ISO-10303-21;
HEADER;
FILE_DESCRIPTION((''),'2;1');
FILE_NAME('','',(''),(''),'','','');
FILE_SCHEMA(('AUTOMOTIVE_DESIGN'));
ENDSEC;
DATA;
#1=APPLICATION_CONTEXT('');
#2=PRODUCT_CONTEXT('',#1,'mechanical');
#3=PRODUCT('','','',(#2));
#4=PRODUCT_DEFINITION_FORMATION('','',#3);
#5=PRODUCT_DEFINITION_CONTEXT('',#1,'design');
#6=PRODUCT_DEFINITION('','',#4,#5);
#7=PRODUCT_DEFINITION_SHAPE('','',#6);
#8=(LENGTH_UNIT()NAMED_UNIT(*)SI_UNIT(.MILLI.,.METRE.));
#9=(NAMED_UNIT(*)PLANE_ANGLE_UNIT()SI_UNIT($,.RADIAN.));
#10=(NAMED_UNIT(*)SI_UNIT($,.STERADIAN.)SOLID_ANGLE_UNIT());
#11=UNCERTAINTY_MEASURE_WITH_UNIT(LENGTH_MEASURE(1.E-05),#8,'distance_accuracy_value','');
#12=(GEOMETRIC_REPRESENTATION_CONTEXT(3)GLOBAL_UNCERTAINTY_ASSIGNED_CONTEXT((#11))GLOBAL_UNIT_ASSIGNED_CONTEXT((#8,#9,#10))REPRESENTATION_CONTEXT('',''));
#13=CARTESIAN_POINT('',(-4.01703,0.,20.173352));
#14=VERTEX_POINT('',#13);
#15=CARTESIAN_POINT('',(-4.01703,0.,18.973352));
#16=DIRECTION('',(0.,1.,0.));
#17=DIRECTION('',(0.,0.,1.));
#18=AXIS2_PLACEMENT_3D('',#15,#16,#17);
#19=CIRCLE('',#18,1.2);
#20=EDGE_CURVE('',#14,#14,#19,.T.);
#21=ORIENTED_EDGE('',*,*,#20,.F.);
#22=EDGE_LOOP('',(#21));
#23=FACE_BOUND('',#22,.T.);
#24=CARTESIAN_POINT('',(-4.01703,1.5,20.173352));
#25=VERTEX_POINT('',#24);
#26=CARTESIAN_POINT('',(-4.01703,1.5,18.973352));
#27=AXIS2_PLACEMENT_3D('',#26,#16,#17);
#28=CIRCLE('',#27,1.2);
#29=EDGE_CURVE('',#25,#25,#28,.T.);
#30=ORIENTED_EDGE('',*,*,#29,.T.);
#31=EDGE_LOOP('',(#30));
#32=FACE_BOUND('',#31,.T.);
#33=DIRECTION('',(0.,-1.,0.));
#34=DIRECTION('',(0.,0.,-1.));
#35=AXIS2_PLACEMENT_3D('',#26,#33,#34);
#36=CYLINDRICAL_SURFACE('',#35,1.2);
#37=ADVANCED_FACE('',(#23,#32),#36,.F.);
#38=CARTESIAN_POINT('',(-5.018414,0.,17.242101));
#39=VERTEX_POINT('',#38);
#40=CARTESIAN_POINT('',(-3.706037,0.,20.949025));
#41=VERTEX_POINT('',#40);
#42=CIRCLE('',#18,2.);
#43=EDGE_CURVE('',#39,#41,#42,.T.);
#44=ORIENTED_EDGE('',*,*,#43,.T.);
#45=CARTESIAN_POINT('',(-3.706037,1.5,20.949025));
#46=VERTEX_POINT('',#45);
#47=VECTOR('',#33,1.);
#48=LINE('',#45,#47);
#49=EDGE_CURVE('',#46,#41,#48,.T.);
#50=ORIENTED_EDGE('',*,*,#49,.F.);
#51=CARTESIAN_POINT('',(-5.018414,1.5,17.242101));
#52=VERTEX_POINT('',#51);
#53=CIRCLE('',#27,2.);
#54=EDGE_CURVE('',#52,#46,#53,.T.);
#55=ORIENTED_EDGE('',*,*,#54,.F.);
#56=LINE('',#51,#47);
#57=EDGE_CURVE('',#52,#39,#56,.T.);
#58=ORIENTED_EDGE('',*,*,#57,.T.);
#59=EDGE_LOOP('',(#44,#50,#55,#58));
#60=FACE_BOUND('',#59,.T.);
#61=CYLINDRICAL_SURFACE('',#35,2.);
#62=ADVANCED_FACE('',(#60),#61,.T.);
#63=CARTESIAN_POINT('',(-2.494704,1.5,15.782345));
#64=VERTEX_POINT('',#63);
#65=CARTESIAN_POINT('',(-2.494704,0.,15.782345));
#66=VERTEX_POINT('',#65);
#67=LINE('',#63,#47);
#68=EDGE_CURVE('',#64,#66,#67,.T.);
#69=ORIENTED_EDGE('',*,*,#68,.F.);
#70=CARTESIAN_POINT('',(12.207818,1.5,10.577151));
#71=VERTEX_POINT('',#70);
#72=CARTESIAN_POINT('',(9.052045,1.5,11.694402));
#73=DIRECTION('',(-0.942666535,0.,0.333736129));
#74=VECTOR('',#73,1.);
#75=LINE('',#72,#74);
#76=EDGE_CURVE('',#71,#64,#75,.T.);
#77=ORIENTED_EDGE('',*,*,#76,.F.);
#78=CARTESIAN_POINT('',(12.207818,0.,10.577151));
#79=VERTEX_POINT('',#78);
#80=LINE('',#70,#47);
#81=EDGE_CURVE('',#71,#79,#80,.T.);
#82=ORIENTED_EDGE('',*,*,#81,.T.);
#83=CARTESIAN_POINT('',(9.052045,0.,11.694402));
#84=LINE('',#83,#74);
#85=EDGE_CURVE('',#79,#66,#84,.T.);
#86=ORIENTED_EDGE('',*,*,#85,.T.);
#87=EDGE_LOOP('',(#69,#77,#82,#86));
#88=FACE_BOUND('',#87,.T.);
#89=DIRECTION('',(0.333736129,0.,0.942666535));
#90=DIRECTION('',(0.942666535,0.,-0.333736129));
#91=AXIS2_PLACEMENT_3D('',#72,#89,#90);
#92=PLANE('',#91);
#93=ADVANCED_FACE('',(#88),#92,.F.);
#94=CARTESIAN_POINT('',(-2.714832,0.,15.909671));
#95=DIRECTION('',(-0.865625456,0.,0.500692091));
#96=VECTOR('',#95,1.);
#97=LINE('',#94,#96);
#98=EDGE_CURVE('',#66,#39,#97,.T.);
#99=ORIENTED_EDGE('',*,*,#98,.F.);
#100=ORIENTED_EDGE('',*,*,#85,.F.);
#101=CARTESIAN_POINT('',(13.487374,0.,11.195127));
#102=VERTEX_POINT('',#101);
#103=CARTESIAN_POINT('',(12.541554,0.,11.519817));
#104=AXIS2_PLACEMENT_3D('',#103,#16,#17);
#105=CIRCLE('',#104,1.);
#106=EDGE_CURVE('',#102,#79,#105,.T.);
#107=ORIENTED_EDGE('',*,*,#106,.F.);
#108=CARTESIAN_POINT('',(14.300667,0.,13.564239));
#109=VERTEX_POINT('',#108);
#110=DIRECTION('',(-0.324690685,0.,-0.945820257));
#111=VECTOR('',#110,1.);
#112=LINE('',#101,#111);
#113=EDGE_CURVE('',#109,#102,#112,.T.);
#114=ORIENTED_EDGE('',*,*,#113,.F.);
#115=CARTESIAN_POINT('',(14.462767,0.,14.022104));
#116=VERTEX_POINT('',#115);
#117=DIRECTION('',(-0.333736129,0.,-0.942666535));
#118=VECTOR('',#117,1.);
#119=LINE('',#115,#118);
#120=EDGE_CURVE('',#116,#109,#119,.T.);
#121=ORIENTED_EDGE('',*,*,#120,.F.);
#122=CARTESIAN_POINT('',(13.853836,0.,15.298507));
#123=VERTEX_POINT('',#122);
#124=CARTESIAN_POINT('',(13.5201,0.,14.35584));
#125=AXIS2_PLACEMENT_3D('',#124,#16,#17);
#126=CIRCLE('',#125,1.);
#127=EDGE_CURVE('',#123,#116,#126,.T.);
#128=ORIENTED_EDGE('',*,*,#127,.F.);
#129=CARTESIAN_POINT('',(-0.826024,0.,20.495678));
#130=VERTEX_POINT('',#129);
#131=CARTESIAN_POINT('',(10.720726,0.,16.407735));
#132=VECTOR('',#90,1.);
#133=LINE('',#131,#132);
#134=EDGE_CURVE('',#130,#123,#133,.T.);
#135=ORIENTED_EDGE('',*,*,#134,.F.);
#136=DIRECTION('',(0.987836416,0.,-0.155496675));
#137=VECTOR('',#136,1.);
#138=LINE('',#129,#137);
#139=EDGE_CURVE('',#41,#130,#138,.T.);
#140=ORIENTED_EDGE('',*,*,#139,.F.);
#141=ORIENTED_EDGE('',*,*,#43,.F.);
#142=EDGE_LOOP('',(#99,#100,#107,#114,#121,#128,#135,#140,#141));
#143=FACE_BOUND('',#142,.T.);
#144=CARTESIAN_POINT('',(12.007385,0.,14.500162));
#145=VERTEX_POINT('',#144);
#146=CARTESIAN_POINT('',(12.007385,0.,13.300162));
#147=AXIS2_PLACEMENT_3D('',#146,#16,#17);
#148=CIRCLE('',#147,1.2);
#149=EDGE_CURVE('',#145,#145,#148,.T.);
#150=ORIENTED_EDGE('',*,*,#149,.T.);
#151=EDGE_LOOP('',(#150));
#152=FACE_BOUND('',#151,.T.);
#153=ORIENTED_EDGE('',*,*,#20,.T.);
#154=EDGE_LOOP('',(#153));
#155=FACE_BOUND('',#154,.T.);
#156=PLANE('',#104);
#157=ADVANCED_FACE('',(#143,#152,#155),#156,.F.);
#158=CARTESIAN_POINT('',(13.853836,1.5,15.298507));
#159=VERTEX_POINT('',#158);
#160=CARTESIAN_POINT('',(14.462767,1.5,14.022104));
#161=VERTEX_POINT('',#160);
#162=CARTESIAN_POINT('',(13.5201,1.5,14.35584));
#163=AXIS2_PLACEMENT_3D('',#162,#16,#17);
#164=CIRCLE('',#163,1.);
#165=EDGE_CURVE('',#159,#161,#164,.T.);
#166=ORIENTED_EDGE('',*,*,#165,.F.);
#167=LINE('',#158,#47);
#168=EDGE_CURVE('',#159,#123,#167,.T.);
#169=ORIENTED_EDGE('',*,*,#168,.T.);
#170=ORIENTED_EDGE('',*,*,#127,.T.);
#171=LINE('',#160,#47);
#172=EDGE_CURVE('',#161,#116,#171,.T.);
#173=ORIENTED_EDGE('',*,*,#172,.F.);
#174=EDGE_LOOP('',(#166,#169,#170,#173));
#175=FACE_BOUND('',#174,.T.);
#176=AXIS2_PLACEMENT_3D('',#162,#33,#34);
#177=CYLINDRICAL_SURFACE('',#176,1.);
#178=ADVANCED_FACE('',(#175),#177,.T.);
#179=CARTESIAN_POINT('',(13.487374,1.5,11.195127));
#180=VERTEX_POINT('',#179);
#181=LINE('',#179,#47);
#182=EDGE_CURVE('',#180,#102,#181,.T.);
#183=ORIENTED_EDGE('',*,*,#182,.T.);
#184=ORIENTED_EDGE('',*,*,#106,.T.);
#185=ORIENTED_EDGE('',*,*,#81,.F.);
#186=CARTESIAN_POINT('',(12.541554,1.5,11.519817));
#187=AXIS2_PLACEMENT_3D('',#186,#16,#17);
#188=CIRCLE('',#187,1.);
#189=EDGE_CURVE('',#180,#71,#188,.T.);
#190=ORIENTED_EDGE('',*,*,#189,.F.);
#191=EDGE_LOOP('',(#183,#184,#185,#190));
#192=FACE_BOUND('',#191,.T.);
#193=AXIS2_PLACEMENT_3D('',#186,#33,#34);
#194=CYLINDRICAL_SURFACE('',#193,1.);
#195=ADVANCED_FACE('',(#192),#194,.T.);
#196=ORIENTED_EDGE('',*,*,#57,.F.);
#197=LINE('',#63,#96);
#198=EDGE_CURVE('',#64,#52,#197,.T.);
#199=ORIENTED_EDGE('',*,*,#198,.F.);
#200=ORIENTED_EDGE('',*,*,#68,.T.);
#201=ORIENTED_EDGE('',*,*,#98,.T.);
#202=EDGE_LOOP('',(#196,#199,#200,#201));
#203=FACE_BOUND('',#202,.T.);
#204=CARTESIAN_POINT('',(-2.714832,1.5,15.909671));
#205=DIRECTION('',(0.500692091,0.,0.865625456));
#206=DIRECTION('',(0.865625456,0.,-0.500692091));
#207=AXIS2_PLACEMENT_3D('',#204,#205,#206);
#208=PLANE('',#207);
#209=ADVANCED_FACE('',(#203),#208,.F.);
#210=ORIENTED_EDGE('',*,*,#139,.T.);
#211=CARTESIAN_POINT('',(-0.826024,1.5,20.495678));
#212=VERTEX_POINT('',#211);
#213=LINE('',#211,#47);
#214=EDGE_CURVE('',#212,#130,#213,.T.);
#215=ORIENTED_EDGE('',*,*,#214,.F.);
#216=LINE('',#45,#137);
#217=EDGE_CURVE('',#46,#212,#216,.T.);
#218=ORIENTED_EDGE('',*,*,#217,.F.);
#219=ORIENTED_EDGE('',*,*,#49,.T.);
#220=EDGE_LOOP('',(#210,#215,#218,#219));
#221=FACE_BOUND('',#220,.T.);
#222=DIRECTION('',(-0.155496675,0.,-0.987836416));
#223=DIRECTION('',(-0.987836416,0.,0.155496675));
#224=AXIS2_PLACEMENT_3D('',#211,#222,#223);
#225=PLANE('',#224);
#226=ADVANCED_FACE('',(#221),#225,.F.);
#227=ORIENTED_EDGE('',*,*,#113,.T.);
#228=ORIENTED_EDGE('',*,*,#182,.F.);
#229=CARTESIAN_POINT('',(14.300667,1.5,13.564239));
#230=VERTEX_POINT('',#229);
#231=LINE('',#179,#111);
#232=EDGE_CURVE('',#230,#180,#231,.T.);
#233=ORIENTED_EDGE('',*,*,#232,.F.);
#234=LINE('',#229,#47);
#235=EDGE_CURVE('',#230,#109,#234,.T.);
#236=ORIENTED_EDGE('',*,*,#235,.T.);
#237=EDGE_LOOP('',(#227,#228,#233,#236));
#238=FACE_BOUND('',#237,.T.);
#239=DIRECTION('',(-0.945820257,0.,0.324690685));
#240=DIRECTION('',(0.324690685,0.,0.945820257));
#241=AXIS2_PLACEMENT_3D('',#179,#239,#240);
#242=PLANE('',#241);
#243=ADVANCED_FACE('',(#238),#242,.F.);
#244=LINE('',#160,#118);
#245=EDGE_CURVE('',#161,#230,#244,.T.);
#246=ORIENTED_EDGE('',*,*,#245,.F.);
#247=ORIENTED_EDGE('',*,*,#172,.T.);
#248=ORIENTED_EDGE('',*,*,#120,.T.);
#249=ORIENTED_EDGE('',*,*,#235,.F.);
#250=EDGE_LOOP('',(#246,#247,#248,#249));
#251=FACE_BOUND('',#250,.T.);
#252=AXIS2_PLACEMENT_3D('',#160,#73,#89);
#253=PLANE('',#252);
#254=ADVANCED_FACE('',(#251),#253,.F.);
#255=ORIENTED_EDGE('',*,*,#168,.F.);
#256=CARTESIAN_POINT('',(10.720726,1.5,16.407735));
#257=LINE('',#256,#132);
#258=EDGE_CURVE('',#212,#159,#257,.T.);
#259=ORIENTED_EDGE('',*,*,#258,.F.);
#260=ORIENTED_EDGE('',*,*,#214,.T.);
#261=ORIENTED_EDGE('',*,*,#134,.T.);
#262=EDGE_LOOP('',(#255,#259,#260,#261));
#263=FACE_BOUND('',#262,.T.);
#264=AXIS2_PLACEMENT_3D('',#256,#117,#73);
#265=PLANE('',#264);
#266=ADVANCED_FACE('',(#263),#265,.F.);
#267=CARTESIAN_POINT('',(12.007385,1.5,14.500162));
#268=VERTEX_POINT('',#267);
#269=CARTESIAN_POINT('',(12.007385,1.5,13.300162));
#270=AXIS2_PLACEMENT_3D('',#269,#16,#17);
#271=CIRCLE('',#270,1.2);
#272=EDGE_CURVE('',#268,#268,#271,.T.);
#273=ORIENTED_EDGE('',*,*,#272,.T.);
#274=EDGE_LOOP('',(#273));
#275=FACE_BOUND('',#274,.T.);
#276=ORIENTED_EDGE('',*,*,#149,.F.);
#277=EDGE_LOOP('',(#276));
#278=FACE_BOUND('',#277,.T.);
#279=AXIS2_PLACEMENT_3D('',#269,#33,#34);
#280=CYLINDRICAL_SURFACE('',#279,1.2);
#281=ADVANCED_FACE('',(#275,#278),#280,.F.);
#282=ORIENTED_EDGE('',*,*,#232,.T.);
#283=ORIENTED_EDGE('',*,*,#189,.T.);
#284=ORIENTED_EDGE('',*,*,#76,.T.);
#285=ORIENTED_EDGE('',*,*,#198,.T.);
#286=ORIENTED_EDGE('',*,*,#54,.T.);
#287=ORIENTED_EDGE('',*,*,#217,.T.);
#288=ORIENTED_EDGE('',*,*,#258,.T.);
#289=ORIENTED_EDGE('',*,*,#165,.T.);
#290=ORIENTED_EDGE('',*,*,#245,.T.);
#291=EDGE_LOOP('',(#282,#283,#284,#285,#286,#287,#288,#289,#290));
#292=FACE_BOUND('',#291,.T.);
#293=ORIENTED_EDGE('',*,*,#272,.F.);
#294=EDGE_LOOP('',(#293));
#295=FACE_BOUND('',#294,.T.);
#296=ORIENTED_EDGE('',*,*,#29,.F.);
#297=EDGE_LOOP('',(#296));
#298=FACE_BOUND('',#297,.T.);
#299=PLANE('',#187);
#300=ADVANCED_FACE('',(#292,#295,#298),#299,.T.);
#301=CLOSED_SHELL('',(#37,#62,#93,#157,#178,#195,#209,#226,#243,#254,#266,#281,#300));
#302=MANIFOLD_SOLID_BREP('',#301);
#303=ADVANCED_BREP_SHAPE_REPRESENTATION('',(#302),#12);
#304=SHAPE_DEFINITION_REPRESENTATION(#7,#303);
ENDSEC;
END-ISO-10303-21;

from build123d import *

# Parameters (mm, degrees)
SKETCH3_R           = 1
BOSS_EXTRUDE2_DEPTH = 1.5
MOVE_FACE1_BY       = 0.2
MOVE_FACE1_2_BY     = 0.2


with BuildPart() as part:
    # Sketch3 → Boss-Extrude2 (new body)
    with BuildSketch(Plane(origin=(0, 0, 0), x_dir=(1, 0, 0), z_dir=(0, 1, 0))):
        with BuildLine():
            Line((9.052045009, -11.69440211), (-2.494704275, -15.782345478))
            Line((-2.494704275, -15.782345478), (-2.714831854, -15.909670913))
            Line((-2.714831854, -15.909670913), (-5.018414472, -17.242101226))
            ThreePointArc((-5.018414472, -17.242101226), (-5.90236336, -19.640824396), (-3.706036939, -20.949024969))
            Line((-3.706036939, -20.949024969), (-1.077229318, -20.535220782))
            Line((-1.077229318, -20.535220782), (-0.82602363, -20.495678153))
            Line((-0.82602363, -20.495678153), (10.720725655, -16.407734785))
            Line((10.720725655, -16.407734785), (13.853836403, -15.298506639))
            ThreePointArc((13.853836403, -15.298506639), (14.422653253, -14.786418923), (14.462766809, -14.022103975))
            Line((14.462766809, -14.022103975), (14.300666867, -13.564238683))
            Line((14.300666867, -13.564238683), (13.487374274, -11.195126647))
            ThreePointArc((13.487374274, -11.195126647), (12.976450881, -10.619337061), (12.207817887, -10.577150797))
            Line((12.207817887, -10.577150797), (9.052045009, -11.69440211))
        make_face()
        with Locations(Location((-4.01703029, -18.973352138, 0), (0, 0, 270))):
            Circle(SKETCH3_R, mode=Mode.SUBTRACT)
        with Locations(Location((12.007385036, -13.300162157, 0), (0, 0, 270))):
            Circle(SKETCH3_R, mode=Mode.SUBTRACT)
    extrude(amount=BOSS_EXTRUDE2_DEPTH)

    # Move Face1: a curved face moved inward by 0.2
    add(Solid.thicken(part.faces().sort_by_distance((12.007385036, 0.75, 12.300162157))[0], -MOVE_FACE1_BY), mode=Mode.SUBTRACT)

    # Move Face1 2: a curved face moved inward by 0.2
    add(Solid.thicken(part.faces().sort_by_distance((-4.01703029, 0.75, 17.973352138))[0], -MOVE_FACE1_2_BY), mode=Mode.SUBTRACT)


solid = part.part
